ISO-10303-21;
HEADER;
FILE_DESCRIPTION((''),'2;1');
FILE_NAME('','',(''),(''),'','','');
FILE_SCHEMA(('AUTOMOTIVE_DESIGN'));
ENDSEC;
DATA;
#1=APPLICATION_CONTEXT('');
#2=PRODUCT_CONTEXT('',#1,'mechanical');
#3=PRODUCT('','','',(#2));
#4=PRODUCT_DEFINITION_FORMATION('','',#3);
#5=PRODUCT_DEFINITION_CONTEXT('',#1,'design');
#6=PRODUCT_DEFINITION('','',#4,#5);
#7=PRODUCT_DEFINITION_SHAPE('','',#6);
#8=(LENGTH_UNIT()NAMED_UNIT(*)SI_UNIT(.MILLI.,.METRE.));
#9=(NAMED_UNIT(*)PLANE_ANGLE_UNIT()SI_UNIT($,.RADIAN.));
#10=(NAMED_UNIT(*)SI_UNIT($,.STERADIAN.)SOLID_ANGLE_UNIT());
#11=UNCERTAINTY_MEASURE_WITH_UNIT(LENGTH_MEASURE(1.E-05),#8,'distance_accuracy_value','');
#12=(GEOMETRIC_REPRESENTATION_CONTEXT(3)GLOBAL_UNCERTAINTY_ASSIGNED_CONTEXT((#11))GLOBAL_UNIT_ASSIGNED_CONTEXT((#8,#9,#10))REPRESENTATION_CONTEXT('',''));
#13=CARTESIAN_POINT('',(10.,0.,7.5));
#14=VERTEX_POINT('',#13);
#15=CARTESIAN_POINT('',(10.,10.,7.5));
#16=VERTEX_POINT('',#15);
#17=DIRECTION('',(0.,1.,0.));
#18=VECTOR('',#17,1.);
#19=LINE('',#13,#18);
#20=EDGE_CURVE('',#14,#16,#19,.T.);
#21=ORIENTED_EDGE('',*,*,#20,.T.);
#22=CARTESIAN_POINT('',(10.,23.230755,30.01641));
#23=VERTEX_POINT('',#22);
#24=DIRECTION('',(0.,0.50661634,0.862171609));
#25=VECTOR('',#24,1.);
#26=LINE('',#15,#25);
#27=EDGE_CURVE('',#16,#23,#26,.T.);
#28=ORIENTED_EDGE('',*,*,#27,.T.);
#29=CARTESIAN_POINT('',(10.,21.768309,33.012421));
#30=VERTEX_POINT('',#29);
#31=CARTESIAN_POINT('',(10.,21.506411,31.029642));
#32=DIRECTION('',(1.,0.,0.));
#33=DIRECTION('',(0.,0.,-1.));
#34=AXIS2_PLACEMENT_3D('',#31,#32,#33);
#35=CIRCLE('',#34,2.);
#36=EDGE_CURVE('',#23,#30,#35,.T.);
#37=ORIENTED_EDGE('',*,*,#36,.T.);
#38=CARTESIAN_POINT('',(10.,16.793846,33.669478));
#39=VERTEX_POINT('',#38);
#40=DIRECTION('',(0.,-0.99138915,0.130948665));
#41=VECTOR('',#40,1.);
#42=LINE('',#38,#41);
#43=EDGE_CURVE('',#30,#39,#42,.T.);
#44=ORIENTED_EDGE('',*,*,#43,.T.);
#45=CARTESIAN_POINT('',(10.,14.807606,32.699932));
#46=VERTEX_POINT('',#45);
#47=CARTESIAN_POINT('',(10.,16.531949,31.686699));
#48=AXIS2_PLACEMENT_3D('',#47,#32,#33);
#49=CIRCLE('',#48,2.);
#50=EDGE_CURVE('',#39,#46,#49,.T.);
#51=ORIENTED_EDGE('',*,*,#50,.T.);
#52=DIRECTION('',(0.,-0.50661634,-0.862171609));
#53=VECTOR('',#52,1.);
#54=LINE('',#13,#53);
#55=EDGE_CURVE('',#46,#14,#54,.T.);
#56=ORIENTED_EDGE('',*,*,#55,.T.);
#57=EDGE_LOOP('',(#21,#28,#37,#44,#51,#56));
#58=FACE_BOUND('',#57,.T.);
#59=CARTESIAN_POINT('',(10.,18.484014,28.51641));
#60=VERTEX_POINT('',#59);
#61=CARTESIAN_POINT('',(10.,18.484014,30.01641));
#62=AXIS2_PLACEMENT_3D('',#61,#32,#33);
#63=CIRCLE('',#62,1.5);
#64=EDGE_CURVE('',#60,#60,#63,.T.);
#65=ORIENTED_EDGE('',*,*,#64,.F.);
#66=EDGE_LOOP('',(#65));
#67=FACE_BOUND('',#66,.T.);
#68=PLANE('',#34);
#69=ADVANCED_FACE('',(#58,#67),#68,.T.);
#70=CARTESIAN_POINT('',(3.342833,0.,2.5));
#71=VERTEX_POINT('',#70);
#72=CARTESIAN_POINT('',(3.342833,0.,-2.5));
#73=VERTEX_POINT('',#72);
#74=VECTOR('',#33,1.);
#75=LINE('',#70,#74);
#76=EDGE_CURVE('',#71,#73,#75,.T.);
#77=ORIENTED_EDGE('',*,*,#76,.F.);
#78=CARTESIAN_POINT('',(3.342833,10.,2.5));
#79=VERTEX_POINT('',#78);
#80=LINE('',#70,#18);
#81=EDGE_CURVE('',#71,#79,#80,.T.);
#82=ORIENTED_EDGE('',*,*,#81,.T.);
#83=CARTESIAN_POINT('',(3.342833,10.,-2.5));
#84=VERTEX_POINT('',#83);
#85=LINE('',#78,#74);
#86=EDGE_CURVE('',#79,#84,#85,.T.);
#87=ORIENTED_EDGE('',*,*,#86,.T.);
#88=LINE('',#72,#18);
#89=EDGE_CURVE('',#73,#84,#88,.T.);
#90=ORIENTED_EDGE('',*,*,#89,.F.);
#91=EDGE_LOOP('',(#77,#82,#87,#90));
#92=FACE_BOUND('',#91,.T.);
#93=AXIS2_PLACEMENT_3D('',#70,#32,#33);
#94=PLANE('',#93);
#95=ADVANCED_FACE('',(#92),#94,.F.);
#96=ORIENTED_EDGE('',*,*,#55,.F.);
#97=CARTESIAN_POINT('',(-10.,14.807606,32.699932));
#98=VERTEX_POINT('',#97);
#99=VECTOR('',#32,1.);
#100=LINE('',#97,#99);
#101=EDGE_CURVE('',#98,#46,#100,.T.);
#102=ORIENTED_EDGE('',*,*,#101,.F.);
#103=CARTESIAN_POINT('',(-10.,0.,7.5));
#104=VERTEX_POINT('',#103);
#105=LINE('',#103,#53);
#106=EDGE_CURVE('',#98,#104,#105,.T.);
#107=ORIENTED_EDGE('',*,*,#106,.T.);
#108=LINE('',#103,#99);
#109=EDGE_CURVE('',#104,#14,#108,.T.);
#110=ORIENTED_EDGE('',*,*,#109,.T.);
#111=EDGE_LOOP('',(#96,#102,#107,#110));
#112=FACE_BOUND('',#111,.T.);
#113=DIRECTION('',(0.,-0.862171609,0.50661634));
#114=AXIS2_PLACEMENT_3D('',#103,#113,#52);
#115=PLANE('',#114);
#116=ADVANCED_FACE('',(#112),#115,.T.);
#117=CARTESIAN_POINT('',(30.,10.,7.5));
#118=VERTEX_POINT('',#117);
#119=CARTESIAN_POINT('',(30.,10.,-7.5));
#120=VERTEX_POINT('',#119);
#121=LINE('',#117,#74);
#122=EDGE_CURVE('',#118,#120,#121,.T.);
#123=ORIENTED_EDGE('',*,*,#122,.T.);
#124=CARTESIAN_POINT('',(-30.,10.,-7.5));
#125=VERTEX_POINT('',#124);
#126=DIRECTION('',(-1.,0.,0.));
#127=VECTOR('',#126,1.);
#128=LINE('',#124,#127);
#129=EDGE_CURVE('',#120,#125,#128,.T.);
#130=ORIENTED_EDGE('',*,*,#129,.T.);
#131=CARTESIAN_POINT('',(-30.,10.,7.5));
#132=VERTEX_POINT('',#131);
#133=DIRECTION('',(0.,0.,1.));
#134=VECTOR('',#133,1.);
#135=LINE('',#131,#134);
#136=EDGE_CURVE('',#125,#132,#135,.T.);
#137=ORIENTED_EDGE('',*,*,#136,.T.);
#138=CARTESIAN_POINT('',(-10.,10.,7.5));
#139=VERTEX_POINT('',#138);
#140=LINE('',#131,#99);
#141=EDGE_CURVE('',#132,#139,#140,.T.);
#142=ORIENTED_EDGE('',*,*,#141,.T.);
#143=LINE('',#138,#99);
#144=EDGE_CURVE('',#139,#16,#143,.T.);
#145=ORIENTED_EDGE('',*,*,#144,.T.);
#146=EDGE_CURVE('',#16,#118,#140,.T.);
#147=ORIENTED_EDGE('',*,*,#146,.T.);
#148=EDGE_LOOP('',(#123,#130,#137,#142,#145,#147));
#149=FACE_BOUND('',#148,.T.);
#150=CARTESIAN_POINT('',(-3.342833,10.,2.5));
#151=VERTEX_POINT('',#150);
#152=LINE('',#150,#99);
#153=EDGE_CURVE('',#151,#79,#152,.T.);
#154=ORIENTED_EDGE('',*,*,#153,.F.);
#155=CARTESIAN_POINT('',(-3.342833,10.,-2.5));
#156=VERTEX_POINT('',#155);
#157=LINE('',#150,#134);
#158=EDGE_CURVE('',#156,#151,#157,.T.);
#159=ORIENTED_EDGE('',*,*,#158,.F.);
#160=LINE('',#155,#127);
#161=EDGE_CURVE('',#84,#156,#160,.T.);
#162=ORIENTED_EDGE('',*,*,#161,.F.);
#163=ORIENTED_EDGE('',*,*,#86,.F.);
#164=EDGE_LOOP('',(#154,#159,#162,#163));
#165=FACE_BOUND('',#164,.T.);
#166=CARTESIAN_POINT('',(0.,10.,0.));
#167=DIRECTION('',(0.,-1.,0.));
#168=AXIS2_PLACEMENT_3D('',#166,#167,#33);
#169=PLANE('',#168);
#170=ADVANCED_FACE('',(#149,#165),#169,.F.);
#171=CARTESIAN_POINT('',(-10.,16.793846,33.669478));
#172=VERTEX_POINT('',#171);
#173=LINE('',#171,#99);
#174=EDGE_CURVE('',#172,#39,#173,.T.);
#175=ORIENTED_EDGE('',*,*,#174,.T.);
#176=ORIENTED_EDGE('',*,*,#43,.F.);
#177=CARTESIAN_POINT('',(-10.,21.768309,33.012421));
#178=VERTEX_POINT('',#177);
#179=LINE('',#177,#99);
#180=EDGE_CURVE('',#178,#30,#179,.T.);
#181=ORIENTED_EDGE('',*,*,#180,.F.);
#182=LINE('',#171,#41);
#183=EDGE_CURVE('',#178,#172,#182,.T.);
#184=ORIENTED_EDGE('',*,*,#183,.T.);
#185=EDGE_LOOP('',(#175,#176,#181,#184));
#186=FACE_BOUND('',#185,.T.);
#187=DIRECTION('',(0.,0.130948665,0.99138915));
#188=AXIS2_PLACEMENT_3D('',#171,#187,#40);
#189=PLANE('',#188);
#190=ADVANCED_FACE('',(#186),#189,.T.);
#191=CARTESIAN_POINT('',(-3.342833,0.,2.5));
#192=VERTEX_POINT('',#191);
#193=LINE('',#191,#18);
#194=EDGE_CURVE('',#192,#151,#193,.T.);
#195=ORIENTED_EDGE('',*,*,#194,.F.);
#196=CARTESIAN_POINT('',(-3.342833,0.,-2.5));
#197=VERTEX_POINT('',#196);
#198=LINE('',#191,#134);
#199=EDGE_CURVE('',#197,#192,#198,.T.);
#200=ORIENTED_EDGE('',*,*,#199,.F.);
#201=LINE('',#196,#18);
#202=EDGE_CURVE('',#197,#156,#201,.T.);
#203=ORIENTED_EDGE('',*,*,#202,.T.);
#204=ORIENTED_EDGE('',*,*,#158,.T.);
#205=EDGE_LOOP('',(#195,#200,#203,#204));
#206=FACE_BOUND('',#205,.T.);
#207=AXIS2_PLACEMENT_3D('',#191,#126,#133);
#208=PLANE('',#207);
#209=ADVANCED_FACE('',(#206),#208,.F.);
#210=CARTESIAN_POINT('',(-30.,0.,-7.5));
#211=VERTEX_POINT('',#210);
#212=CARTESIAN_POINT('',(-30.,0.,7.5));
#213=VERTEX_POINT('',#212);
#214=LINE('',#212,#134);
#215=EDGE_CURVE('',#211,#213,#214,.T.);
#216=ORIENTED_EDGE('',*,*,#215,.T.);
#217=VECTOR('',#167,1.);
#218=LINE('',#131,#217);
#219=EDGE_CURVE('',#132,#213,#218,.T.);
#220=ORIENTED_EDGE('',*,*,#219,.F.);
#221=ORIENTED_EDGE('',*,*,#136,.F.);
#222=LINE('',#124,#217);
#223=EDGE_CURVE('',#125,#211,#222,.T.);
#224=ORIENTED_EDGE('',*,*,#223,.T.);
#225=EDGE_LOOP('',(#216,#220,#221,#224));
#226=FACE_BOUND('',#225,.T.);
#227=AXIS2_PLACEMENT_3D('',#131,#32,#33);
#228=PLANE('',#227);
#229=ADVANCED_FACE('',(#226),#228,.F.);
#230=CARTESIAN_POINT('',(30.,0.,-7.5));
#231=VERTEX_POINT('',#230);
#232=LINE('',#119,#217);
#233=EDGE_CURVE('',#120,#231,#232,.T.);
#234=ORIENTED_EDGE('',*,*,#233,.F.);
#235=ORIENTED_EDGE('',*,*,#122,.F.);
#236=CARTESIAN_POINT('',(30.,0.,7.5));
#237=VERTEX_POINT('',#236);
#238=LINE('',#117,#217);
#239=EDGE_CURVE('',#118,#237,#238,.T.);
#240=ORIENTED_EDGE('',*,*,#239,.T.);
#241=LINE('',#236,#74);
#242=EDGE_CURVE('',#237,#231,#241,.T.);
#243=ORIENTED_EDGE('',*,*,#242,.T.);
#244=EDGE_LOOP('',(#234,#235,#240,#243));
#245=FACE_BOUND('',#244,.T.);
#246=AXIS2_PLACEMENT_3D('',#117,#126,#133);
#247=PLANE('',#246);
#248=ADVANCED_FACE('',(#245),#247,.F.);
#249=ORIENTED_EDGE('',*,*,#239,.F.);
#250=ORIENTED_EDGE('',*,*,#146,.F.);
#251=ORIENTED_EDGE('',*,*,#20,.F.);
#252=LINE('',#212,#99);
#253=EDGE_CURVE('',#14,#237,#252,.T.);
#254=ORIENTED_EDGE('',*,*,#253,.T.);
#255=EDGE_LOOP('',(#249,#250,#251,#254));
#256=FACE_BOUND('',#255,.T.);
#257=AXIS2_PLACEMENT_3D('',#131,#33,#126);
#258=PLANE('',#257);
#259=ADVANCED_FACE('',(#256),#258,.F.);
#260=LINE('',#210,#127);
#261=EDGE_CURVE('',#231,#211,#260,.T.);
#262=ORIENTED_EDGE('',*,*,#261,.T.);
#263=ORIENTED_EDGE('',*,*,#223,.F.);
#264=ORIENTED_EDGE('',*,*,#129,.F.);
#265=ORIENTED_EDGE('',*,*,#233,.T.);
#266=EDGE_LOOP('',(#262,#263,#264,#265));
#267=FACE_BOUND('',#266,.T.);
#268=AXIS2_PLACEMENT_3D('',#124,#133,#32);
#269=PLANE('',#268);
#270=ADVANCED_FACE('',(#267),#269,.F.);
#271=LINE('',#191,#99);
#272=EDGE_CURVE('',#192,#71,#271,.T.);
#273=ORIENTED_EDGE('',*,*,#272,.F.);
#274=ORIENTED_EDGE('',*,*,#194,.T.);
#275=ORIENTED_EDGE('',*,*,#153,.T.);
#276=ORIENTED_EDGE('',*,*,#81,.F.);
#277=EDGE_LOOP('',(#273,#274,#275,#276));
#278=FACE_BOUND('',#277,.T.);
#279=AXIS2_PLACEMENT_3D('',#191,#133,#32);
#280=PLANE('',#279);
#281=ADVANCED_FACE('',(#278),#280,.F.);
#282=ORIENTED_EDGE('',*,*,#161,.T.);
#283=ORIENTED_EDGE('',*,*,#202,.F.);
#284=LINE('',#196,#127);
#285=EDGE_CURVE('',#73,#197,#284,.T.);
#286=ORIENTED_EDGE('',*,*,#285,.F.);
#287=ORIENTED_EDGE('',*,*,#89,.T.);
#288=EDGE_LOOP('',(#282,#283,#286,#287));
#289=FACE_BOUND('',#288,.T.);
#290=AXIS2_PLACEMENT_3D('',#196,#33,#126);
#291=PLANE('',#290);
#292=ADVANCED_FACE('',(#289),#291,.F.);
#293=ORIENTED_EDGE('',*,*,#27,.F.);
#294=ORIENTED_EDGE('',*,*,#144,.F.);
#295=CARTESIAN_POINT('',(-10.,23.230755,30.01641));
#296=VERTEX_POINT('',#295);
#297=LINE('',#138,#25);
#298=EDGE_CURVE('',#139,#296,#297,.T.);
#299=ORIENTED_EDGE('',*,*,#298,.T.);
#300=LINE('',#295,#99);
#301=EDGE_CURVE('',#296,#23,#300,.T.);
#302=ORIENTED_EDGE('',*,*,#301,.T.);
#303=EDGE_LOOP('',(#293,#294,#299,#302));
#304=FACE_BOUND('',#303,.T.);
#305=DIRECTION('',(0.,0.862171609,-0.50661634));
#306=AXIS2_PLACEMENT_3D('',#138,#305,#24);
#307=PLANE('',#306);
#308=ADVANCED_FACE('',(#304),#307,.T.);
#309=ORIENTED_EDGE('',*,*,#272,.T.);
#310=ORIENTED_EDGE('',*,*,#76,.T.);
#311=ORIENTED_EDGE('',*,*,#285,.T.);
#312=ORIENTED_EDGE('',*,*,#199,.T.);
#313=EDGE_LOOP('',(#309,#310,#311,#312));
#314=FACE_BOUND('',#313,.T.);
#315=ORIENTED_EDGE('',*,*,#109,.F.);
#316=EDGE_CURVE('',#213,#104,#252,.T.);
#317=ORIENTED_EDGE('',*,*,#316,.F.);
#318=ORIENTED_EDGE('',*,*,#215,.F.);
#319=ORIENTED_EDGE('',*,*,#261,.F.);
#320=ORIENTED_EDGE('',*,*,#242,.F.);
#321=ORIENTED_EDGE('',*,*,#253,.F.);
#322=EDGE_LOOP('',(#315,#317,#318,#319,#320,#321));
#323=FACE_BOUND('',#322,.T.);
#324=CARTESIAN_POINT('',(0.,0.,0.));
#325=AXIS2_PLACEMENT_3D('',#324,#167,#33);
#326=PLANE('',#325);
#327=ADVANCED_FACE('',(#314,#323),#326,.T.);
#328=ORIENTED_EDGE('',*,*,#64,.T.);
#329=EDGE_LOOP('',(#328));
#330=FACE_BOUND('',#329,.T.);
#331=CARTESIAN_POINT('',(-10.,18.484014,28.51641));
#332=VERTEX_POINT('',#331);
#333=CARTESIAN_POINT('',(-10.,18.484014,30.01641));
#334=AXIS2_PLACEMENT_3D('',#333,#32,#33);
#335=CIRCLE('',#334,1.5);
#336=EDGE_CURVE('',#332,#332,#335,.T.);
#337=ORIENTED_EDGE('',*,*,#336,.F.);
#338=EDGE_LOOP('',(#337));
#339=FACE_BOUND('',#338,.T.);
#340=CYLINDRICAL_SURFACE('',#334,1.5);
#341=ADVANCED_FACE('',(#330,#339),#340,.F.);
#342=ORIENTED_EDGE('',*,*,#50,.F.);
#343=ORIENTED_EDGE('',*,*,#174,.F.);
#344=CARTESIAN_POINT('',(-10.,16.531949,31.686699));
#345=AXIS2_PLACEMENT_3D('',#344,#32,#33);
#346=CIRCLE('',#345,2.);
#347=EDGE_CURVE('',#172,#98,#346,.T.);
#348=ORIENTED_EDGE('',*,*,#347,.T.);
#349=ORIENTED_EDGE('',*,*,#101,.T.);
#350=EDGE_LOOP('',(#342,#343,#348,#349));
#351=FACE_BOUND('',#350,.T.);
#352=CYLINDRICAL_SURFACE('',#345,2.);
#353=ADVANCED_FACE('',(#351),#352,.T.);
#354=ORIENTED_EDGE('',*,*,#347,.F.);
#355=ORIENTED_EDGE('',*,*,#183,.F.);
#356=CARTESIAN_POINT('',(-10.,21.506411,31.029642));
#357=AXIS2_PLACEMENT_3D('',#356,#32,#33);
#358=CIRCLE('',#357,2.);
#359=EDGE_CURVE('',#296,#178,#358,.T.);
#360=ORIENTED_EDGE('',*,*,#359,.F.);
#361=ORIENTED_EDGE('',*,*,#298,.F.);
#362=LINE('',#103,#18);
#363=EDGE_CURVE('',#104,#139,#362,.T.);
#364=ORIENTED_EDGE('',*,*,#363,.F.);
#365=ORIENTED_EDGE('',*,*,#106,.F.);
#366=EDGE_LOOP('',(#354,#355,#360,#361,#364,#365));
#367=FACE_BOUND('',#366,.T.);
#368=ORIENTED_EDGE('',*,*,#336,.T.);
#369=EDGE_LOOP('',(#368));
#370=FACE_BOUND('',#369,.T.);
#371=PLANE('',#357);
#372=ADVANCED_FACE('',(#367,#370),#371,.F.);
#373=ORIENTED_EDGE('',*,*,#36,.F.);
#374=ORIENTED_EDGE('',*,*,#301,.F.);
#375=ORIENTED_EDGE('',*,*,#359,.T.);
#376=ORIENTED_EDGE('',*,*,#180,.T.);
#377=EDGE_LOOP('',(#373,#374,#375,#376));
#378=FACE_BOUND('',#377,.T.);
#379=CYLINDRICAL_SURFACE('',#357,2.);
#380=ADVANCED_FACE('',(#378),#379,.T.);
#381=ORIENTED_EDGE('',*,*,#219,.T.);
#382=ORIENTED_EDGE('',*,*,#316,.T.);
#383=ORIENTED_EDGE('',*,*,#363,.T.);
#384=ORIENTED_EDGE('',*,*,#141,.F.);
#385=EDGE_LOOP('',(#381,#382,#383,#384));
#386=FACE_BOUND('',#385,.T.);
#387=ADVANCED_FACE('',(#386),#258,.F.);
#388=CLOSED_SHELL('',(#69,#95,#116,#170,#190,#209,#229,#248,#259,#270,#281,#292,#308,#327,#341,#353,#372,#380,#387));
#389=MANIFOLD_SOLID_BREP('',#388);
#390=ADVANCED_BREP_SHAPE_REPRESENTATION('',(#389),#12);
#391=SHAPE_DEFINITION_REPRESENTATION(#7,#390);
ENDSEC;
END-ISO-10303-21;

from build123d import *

# Parameters (mm, degrees)
ESQUISSE1_W             = 60
ESQUISSE1_H             = 15
ESQUISSE1_R             = 3.64432939
BOSS_EXTRU_2_DEPTH      = 10
BOSS_EXTRU_3_DEPTH      = 10
BOSS_EXTRU_3_DEPTH_BACK = 10
ESQUISSE2_R             = 1.5
ESQUISSE3_W             = 6.68566512
ESQUISSE3_H             = 5
ENL_V_MAT_EXTRU_1_DEPTH = 10
BOSS_EXTRU_5_DEPTH      = 10


with BuildPart() as part:
    # Esquisse1 → Boss.-Extru.2 (new body)
    with BuildSketch(Plane(origin=(0, 0, 0), x_dir=(1, 0, 0), z_dir=(0, 1, 0))):
        Rectangle(ESQUISSE1_W, ESQUISSE1_H)
        with Locations(Location((0, 0, 0), (0, 0, 270))):
            Circle(ESQUISSE1_R, mode=Mode.SUBTRACT)
    extrude(amount=BOSS_EXTRU_2_DEPTH)

    # Esquisse2 → Boss.-Extru.3 (add, two sides: drawn at the far end of the back side and taken through both)
    with BuildSketch(Plane(origin=(0, 0, 0), x_dir=(0, 0, -1), z_dir=(1, 0, 0)).offset(-BOSS_EXTRU_3_DEPTH_BACK)):
        with BuildLine():
            Line((-7.5, 0), (-32.699931919, 14.80760574))
            ThreePointArc((-32.699931919, 14.80760574), (-33.484005092, 15.654628224), (-33.66947754, 16.793846289))
            Line((-33.66947754, 16.793846289), (-33.012420508, 21.768308704))
            ThreePointArc((-33.012420508, 21.768308704), (-31.906962943, 23.303717227), (-30.016409528, 23.230754593))
            Line((-30.016409528, 23.230754593), (-7.5, 10))
            Line((-7.5, 10), (-7.5, 0))
        make_face()
        with Locations((-30.016409528, 18.484014396)):
            Circle(ESQUISSE2_R, mode=Mode.SUBTRACT)
    extrude(amount=BOSS_EXTRU_3_DEPTH + BOSS_EXTRU_3_DEPTH_BACK)

    # Esquisse3 → Enlèv. mat.-Extru.1 (cut)
    with BuildSketch(Plane(origin=(0, 10, 0), x_dir=(1, 0, 0), z_dir=(0, 1, 0))):
        Rectangle(ESQUISSE3_W, ESQUISSE3_H)
    extrude(amount=-ENL_V_MAT_EXTRU_1_DEPTH, mode=Mode.SUBTRACT)

    # Esquisse4 → Boss.-Extru.5 (add)
    with BuildSketch(Plane(origin=(0, 10, 0), x_dir=(1, 0, 0), z_dir=(0, 1, 0))):
        Polygon((-2.651629066, 2.5), (2.651629066, 2.5), (-0.901511212, 6.613696731), align=None)
        Polygon((-3.34283256, 1.451415578), (-3.34283256, -1.451415578), (-3.984232775, -1.229734519), (-3.663532667, 1.451415578), align=None)
        Polygon((3.34283256, 1.451415578), (3.34283256, -1.451415578), (4.44759228, -1.229734519), (3.971212027, 1.14433262), align=None)
        Polygon((2.651629066, -2.5), (-2.651629066, -2.5), (-2.371334481, -3.89686345), (1.661330759, -4.071090574), align=None)
    extrude(amount=-BOSS_EXTRU_5_DEPTH)


solid = part.part
